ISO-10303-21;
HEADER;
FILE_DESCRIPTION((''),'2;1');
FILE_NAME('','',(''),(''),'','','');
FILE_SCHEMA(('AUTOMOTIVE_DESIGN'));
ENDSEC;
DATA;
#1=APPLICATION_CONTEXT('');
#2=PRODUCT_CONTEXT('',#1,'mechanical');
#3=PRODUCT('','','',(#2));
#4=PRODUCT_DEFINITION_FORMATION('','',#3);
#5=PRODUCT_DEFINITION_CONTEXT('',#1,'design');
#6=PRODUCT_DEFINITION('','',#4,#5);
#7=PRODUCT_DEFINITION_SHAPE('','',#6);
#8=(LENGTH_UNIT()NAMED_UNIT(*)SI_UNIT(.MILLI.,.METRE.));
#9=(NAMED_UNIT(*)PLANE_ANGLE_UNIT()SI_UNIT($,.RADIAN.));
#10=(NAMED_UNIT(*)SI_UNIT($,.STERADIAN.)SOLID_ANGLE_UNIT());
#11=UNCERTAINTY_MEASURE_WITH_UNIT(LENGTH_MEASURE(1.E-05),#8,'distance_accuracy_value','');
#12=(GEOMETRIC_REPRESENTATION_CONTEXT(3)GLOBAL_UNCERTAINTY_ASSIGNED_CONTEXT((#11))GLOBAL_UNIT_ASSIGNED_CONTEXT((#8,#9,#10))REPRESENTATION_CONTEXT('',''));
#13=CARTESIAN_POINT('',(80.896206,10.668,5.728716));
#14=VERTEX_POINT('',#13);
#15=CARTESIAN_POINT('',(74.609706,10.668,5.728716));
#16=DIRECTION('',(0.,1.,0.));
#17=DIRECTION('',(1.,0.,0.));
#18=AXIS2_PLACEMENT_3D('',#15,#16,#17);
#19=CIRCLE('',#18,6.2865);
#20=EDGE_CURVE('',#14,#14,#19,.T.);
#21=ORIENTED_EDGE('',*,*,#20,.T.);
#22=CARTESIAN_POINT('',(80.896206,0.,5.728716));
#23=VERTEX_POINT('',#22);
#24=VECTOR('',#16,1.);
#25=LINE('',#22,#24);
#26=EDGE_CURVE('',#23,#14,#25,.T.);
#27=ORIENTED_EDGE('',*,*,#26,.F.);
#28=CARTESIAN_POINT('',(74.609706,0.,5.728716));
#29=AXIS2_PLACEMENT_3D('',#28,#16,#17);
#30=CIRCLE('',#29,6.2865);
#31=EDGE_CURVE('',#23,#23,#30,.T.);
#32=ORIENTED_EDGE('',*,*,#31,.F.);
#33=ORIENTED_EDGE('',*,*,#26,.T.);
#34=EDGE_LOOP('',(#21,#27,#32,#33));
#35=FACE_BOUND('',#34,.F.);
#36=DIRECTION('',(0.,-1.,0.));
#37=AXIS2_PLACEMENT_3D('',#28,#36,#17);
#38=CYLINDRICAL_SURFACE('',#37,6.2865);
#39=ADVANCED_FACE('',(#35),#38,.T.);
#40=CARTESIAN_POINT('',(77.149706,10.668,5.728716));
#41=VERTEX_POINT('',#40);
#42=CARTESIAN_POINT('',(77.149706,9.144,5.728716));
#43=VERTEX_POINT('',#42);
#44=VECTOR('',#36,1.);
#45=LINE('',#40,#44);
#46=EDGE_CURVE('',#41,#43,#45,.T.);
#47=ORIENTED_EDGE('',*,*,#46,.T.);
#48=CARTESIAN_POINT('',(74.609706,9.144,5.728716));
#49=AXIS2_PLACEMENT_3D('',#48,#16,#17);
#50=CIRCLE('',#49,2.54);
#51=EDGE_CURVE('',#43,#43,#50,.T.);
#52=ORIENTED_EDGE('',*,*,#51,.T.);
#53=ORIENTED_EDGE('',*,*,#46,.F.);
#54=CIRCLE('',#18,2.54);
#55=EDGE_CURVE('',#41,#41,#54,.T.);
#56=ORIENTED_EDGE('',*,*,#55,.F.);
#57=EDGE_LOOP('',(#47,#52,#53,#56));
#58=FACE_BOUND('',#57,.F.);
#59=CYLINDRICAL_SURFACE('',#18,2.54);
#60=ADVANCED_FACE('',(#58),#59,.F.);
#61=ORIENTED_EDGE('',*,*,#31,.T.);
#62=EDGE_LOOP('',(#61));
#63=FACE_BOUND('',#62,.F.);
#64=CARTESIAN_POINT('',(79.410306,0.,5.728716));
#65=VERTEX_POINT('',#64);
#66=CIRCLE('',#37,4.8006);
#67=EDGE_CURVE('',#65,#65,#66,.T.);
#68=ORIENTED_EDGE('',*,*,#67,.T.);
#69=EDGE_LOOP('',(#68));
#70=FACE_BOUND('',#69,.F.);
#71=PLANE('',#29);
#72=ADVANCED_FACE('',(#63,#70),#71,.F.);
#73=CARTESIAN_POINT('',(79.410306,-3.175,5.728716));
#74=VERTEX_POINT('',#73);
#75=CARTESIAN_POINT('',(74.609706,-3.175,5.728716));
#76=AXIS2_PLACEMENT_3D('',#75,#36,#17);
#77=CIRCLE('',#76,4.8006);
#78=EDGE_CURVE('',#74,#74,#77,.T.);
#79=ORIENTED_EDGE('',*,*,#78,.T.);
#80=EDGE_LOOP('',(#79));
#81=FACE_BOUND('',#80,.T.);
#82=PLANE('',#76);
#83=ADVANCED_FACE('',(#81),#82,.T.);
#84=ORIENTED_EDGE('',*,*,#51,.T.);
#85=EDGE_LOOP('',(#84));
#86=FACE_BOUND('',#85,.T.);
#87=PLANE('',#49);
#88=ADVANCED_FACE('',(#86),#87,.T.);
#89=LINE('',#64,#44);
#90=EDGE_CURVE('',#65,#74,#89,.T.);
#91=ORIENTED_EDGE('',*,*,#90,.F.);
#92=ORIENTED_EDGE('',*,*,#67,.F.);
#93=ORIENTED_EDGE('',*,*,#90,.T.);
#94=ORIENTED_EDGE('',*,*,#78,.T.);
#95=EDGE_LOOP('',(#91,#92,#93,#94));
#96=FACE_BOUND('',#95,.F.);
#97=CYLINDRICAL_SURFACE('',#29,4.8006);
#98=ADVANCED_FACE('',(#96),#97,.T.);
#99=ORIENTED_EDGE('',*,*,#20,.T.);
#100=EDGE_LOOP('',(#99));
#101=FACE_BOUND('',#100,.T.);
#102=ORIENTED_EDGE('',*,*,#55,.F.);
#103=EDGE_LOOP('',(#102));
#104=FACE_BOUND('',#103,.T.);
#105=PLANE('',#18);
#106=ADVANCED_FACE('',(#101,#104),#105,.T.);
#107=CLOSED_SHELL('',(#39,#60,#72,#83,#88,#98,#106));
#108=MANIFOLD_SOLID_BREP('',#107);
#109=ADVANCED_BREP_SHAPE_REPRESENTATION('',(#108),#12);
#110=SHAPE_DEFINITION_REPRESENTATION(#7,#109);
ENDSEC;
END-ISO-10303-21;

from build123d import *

# Parameters (mm, degrees)
SKETCH015_R             = 4.8006
PAD008_DEPTH            = 3.175
SKETCH016_R             = 6.2865
PAD009_DEPTH            = 10.668
SKETCH017_R             = 2.54
POCKET006_DEPTH         = 1.524
BODY002_PLACEMENT_ANGLE = 90


with BuildPart() as part:
    # Sketch015 → Pad008 (new body)
    with BuildSketch(Plane.XY):
        Circle(SKETCH015_R)
    extrude(amount=PAD008_DEPTH)

    # Sketch016 (on Face2 of Pad008) → Pad009 (join)
    with BuildSketch(Plane(origin=(0, 0, 0), x_dir=(1, 0, 0), z_dir=(0, 0, -1))):
        Circle(SKETCH016_R)
    extrude(amount=PAD009_DEPTH)

    # Sketch017 (on Face3 of Pad009) → Pocket006 (cut)
    with BuildSketch(Plane(origin=(0, 0, -10.668), x_dir=(1, 0, 0), z_dir=(0, 0, -1))):
        Circle(SKETCH017_R)
    extrude(amount=-POCKET006_DEPTH, mode=Mode.SUBTRACT)


with BuildPart() as part_1:
    # Body002 placement: moved
    add(part.part.moved(Location((74.609706, 0, 5.728716))).rotate(Axis((74.609706, 0, 5.728716), (1, 0, 0)), BODY002_PLACEMENT_ANGLE))


solid = part_1.part
